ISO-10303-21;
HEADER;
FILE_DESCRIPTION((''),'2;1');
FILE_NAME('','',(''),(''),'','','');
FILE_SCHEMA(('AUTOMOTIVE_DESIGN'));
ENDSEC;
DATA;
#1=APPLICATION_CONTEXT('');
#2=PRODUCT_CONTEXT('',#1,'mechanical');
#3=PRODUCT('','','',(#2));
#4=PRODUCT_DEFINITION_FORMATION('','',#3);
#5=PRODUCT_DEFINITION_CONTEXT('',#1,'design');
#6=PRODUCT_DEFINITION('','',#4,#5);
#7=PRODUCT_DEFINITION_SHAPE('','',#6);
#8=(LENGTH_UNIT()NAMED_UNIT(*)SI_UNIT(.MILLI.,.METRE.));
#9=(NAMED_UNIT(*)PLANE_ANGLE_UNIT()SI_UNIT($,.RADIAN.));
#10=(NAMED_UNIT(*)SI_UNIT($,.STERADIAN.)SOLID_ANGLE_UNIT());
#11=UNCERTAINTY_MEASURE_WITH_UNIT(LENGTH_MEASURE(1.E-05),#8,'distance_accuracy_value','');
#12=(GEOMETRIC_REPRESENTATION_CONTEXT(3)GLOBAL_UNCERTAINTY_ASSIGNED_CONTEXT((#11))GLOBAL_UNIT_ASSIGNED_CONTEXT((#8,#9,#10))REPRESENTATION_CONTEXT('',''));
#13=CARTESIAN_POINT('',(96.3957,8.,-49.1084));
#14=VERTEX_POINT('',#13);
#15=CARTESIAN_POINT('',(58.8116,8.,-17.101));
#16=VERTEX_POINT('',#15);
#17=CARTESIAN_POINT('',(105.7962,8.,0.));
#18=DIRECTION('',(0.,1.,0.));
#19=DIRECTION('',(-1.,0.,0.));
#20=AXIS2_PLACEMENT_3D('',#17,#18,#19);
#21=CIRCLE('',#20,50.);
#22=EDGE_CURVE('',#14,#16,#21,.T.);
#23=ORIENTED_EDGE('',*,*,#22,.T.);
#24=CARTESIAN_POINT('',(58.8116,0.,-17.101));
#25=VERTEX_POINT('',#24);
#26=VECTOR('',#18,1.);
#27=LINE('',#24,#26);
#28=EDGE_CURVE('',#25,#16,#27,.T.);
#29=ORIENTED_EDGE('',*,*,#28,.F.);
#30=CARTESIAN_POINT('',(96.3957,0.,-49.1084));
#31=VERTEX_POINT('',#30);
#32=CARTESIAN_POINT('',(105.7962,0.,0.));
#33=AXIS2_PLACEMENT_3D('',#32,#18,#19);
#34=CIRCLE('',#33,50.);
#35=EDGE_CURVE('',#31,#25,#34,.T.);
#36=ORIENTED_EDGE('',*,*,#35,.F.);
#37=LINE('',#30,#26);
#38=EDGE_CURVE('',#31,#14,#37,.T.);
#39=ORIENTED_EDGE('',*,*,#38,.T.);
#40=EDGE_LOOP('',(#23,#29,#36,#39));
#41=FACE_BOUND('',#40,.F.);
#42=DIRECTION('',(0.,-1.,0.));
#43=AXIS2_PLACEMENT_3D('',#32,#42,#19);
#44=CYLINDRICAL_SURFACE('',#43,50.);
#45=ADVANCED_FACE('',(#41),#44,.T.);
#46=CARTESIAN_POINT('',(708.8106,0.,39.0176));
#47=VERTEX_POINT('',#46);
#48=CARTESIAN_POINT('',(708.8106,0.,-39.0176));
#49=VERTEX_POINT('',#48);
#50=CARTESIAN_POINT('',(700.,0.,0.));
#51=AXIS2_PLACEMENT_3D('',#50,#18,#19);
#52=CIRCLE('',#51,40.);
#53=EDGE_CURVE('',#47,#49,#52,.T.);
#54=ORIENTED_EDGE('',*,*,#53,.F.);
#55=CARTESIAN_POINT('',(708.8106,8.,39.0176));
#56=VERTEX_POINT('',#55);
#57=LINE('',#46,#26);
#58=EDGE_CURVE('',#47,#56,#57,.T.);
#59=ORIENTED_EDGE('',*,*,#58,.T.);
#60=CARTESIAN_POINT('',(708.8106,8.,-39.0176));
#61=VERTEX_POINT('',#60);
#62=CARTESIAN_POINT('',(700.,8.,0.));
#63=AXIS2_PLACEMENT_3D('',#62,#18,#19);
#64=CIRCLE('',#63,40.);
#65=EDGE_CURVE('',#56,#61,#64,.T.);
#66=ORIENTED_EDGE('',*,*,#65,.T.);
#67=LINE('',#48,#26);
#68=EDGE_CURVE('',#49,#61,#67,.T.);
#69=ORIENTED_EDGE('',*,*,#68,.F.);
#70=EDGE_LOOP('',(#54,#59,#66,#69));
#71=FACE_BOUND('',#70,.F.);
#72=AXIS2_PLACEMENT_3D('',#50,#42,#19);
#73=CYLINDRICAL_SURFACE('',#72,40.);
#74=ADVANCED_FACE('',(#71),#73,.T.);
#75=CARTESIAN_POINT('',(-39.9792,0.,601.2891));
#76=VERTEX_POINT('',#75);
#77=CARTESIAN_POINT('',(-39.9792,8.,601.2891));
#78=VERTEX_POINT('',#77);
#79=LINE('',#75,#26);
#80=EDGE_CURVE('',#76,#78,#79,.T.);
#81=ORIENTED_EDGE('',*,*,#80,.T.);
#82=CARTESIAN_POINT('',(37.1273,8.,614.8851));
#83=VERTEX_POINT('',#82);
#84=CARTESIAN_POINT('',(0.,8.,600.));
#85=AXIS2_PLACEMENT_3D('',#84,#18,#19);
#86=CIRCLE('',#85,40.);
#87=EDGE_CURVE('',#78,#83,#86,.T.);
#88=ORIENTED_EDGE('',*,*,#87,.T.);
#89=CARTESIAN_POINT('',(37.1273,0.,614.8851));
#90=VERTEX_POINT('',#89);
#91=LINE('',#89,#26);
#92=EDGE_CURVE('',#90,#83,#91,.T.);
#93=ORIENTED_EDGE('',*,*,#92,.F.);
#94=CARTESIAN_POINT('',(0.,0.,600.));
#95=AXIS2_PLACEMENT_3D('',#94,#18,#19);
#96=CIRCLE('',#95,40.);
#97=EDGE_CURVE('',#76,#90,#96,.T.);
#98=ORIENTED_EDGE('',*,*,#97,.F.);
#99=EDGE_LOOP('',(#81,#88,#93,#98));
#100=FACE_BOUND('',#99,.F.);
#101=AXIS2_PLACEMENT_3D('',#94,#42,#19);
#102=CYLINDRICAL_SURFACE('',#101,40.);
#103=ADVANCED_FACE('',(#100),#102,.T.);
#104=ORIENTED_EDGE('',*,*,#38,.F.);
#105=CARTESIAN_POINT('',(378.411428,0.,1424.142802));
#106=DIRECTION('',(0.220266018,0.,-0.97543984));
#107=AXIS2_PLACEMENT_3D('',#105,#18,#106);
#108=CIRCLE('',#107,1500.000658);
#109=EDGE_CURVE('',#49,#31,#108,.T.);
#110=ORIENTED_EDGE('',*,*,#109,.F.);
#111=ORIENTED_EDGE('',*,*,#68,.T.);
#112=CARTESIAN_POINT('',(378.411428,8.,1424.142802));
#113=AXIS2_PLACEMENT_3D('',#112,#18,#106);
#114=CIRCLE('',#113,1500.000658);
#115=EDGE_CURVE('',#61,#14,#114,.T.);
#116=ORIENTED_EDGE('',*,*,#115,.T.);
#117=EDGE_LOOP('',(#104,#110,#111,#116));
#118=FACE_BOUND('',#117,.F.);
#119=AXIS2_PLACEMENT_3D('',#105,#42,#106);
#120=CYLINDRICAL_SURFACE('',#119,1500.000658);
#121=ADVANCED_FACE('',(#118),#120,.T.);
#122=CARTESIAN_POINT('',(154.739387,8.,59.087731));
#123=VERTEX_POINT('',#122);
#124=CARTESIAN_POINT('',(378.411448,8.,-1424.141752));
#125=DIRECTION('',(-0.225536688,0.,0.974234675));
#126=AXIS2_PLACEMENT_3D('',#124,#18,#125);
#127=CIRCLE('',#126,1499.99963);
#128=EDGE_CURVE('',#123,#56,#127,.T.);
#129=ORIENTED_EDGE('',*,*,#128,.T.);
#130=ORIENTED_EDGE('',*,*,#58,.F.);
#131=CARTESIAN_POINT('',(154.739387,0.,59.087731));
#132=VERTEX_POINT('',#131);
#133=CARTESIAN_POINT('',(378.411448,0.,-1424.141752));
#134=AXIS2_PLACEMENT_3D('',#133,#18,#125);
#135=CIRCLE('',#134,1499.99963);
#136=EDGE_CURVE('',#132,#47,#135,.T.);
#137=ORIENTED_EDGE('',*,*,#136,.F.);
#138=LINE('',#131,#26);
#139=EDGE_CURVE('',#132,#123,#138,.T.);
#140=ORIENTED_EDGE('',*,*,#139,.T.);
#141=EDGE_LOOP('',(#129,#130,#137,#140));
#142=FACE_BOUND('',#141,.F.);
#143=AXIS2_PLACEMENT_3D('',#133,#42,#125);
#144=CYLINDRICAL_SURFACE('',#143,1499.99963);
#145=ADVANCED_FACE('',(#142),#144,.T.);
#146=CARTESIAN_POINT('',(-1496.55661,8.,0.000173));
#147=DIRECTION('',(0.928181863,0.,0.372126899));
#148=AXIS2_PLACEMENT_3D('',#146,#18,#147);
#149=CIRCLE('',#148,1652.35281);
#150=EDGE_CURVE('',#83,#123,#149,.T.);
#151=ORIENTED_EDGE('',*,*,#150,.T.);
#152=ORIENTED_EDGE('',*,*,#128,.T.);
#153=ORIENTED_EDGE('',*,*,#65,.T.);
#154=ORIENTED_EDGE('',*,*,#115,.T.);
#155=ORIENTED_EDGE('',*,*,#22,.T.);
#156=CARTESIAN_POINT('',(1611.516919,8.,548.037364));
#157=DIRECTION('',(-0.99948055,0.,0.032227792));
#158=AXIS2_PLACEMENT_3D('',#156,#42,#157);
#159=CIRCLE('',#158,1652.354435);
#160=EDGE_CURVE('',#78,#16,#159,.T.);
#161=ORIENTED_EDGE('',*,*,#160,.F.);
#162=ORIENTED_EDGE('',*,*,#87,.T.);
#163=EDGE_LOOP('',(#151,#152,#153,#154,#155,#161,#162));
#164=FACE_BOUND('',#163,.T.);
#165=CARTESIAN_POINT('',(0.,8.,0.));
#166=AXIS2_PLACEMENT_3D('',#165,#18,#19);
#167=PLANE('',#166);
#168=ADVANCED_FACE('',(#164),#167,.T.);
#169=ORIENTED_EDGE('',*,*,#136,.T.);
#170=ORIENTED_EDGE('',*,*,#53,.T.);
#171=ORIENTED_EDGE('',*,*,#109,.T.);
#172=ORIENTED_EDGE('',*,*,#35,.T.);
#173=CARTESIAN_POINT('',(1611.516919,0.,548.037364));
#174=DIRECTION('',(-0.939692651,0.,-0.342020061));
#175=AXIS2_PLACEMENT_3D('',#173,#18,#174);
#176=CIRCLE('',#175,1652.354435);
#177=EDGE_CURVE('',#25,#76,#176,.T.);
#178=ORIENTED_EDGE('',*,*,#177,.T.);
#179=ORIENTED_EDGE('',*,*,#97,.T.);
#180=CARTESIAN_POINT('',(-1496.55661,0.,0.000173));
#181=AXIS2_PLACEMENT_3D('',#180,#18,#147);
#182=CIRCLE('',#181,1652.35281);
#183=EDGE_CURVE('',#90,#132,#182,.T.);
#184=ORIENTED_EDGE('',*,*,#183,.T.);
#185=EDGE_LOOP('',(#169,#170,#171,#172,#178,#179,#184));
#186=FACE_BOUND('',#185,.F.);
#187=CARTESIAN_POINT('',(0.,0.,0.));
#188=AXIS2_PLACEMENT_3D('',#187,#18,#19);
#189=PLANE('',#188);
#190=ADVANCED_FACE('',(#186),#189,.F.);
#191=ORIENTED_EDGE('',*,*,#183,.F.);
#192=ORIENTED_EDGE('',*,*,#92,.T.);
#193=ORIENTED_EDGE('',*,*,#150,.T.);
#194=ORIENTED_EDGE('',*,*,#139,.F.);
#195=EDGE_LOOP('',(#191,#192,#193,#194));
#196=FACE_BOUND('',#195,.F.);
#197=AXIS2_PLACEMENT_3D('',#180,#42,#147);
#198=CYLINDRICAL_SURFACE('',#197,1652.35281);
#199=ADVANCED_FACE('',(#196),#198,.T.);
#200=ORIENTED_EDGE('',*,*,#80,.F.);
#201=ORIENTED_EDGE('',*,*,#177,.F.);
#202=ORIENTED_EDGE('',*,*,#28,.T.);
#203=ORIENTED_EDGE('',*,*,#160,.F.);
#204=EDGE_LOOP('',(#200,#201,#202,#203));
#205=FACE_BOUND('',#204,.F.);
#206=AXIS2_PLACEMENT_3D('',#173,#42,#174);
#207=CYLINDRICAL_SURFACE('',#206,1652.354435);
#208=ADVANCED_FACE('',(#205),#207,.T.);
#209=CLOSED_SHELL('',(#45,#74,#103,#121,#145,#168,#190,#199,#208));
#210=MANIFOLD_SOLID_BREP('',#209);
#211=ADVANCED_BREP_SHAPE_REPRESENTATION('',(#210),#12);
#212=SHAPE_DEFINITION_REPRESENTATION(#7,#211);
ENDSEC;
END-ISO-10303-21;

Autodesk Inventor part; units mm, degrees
ref_plane "YZ Plane" through (0, 0, 0) normal (1, 0, 0) x (0, 1, 0)
ref_plane "XZ Plane" through (0, 0, 0) normal (0, 1, 0) x (-1, 0, 0)
ref_plane "XY Plane" through (0, 0, 0) normal (0, 0, 1) x (1, 0, 0)
sketch "Sketch1" plane through (0, 0, 0) normal (0, 1, 0) x (-1, 0, 0)
  line L0 (0, 0) -> (-700, 0) construction
  line L1 (-700, 0) -> (-700, 600) construction
  line L2 (-700, 600) -> (0, 600) construction
  line L3 (0, 600) -> (0, 0) construction
  circle A0 centre (0, 600) radius 40
  line L4 (0, 600) -> (-105.7962, 0) construction
  circle A1 centre (-105.7962, 0) radius 50
  line L5 (1496.5572, 0) -> (-37.1273, 614.8851) construction
  circle A2 centre (-700, 0) radius 40
  circle A3 centre (-1611.5159, 548.0371) radius 1652.3534 construction
  line L6 (-1611.5159, 548.0371) -> (-58.8116, -17.101) construction
  line L7 (-1611.5159, 548.0371) -> (39.9792, 601.2891) construction
  line L8 (1496.5572, 0) -> (-1611.5159, 548.0371) construction
  line L9 (1496.5572, 0) -> (-155.7962, 0) construction
  arc A4 (-58.8116, -17.101) -> (39.9792, 601.2891) centre (-1611.5159, 548.0371) ccw
  arc A5 (-37.1273, 614.8851) -> (-155.7962, 0) centre (1496.5572, 0) ccw
  line L10 (-378.4115, -1424.1422) -> (-96.3957, 49.1084) construction
  line L11 (-708.8106, 39.0176) -> (-378.4115, -1424.1422) construction
  arc A6 (-708.8106, -39.0176) -> (-96.3957, -49.1084) centre (-378.4115, 1424.1422) ccw
  arc A7 (92.5652, 0) -> (-849.3883, 0) centre (-378.4115, 1424.1422) ccw construction
  arc A8 (-849.3883, 0) -> (0, 27.3415) centre (-378.4115, -1424.1422) ccw construction
  arc A9 (-40.1065, 37.2099) -> (-708.8106, 39.0176) centre (-378.4115, -1424.1422) ccw
  point P0 (-106.0172, 49.9995)
  point P1 (-701.1693, 39.9829)
  point P2 (-106.0172, -49.9995)
  point P3 (-701.1693, -39.9829)
  dimension "d0" = 700
  dimension "d1" = 600
  dimension "d3" = 80
  dimension "d5" = 10
  dimension "d7" = 100
  dimension "d9" = 80
extrude "Extrusion2" add sketch "Sketch1" along normal blind 8
properties part number "side"
